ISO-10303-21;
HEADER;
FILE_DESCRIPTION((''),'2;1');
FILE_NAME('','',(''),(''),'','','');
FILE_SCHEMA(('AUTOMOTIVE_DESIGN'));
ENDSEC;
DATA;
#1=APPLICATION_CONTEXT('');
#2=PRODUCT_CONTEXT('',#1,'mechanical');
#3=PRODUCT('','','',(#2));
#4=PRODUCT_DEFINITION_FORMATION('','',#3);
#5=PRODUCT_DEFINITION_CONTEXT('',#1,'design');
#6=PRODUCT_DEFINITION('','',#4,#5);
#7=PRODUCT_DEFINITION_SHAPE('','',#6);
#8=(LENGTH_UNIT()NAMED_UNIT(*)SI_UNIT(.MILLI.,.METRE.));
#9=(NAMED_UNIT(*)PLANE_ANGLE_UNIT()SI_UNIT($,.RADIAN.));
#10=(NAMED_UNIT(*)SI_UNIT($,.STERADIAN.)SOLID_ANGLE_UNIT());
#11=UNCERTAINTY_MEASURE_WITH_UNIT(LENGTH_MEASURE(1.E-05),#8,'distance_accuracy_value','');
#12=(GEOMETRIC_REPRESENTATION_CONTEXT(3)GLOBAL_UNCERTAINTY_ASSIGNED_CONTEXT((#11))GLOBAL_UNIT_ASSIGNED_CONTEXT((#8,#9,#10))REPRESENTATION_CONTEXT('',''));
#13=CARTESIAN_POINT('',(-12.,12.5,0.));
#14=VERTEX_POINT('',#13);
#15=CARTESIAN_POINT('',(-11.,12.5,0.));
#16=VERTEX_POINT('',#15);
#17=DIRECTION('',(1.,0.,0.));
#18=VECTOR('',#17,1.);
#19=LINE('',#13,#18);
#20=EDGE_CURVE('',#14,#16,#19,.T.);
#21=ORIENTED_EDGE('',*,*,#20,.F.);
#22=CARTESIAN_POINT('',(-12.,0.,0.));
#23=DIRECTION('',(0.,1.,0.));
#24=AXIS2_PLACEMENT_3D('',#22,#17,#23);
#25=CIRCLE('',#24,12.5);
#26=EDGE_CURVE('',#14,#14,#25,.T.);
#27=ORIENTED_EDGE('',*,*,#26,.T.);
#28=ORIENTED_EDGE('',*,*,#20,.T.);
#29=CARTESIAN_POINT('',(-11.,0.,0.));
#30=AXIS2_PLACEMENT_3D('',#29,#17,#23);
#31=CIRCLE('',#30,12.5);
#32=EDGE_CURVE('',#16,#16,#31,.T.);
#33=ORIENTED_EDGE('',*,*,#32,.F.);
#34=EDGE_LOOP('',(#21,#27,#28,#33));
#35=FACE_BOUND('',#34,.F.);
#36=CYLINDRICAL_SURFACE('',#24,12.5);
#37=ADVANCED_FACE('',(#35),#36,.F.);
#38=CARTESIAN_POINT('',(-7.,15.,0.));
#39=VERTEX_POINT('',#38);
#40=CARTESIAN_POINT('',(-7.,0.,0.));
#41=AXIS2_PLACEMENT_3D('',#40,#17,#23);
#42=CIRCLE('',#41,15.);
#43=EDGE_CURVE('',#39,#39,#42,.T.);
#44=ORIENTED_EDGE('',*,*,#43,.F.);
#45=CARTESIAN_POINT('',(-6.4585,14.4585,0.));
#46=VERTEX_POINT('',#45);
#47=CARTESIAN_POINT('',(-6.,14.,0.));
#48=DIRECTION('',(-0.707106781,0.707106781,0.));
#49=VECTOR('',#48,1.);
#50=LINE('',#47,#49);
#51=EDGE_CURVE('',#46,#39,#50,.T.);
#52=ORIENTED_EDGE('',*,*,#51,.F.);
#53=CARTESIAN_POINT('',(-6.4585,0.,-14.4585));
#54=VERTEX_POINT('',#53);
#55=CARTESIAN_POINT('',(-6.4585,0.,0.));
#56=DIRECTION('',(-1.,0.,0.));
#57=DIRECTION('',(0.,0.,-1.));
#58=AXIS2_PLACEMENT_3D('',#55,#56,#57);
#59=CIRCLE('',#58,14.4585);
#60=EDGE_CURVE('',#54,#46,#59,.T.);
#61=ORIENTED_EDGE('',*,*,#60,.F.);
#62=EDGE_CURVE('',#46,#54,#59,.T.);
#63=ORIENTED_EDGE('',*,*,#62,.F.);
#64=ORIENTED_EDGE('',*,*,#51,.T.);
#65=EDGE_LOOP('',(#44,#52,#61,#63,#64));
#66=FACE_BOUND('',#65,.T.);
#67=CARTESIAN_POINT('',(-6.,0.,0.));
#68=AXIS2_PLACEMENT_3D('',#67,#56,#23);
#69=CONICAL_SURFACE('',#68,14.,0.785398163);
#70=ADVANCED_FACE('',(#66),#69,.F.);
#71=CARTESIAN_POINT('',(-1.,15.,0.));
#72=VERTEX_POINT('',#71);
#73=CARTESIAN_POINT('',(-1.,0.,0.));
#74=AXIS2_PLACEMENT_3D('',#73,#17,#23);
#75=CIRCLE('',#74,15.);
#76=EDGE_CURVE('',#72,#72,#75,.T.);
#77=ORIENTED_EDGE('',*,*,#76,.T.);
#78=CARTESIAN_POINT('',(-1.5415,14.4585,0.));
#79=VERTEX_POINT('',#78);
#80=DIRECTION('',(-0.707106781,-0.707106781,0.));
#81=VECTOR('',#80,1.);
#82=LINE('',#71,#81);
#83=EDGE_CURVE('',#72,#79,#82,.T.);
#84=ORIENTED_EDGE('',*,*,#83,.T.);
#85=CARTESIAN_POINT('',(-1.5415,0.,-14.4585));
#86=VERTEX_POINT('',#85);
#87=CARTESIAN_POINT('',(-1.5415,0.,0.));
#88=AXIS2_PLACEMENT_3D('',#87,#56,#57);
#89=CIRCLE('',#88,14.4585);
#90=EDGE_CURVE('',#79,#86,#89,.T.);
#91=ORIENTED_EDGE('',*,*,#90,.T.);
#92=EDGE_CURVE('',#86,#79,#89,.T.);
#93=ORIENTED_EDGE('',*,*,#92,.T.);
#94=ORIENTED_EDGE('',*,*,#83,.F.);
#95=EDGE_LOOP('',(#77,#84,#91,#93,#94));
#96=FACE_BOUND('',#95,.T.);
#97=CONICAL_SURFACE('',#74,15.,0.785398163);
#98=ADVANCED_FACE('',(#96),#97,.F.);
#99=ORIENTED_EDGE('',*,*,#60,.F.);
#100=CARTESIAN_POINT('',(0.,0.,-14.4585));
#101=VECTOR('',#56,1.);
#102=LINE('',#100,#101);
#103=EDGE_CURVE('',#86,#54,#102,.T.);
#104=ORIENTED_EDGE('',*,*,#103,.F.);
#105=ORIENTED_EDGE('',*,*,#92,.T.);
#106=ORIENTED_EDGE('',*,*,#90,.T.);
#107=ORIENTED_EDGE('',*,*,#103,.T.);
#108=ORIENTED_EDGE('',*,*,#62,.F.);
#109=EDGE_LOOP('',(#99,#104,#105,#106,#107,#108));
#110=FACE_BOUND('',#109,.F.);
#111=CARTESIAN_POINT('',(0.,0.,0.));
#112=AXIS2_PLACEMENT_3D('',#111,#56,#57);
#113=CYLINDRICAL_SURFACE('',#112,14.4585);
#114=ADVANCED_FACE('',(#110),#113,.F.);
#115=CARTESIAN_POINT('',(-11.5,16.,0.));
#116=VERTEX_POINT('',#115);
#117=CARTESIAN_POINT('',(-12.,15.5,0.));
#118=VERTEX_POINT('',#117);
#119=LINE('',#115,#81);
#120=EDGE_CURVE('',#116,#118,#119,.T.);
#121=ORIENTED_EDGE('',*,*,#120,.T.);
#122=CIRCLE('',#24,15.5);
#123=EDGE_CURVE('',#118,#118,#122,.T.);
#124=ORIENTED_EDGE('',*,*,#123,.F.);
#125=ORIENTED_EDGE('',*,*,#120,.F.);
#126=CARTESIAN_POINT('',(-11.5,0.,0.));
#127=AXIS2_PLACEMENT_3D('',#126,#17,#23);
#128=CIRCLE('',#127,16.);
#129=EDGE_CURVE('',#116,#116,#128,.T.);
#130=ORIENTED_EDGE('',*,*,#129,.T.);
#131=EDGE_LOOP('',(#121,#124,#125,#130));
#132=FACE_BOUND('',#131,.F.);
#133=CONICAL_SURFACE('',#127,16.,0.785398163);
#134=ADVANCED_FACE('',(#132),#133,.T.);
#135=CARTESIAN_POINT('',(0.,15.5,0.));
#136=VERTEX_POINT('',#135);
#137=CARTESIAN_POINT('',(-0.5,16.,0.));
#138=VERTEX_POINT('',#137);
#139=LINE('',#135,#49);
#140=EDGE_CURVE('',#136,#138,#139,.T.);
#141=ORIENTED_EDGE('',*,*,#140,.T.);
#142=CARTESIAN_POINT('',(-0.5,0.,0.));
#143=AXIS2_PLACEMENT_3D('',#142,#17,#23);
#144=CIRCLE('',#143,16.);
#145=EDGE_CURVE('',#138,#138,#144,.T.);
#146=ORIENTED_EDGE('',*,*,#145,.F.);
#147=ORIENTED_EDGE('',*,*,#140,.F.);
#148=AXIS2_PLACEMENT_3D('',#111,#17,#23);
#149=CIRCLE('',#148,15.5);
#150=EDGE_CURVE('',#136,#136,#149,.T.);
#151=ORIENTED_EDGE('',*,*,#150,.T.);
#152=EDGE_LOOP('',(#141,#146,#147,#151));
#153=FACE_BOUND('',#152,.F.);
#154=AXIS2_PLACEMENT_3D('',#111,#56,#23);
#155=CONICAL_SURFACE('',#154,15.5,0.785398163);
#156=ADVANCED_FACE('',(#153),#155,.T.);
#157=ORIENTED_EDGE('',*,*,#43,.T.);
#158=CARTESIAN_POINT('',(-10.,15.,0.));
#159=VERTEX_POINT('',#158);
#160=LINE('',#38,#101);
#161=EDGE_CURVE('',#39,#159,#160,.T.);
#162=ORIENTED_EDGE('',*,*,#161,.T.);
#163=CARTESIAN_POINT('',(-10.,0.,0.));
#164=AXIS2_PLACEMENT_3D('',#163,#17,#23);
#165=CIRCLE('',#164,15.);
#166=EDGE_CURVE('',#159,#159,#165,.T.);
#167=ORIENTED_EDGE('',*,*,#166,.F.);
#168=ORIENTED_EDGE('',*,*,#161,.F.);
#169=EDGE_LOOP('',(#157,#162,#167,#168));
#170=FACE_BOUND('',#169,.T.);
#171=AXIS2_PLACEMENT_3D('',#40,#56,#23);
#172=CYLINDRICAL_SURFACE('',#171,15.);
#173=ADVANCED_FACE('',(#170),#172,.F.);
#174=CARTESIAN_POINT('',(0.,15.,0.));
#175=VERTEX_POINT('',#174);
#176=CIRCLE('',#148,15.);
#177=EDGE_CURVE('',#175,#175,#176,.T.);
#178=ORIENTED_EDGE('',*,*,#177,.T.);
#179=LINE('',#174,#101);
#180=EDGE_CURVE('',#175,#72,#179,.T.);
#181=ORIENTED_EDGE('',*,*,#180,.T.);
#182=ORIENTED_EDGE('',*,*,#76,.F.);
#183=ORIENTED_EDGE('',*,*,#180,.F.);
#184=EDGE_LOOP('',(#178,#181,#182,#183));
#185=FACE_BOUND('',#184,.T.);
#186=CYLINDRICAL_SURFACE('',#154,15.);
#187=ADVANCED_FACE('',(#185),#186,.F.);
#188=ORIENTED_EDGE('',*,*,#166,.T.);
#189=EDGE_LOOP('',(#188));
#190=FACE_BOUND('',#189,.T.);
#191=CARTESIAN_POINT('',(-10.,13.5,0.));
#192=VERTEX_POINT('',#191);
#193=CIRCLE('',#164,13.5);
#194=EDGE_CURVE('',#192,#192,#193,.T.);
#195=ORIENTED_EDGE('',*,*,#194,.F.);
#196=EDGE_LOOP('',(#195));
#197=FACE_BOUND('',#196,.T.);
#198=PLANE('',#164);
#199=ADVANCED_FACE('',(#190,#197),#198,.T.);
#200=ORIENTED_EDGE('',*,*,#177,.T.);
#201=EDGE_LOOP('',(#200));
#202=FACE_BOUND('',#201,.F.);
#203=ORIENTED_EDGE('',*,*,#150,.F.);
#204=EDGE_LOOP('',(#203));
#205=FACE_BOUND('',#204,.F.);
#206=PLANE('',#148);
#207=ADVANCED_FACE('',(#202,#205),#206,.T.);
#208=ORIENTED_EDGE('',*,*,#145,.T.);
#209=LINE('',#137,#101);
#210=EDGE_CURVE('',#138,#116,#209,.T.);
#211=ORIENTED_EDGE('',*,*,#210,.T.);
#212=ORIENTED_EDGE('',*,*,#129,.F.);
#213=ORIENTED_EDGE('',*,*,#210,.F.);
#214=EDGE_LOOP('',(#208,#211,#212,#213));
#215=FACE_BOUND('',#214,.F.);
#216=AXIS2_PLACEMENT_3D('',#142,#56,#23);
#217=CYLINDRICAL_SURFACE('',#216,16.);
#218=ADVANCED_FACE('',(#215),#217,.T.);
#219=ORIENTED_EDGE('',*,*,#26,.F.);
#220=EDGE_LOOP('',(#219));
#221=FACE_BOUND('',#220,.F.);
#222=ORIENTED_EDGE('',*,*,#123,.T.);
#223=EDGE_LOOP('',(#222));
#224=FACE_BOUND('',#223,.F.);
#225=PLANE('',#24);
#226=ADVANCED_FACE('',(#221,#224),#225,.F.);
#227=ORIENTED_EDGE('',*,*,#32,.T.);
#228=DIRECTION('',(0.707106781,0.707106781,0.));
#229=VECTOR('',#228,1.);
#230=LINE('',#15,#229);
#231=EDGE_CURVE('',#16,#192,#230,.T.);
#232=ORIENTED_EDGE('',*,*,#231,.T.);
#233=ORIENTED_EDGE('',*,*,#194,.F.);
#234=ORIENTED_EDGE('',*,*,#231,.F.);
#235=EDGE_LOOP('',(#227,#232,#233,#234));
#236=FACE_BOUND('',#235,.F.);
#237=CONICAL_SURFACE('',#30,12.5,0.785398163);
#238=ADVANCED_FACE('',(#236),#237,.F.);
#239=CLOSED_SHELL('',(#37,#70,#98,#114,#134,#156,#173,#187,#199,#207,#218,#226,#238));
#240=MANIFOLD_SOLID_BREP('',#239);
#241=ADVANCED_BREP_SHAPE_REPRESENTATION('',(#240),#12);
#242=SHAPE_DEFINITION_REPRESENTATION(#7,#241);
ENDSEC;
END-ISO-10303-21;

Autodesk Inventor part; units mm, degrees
ref_plane "YZ Plane" through (0, 0, 0) normal (1, 0, 0) x (0, 1, 0)
ref_plane "XZ Plane" through (0, 0, 0) normal (0, 1, 0) x (-1, 0, 0)
ref_plane "XY Plane" through (0, 0, 0) normal (0, 0, 1) x (1, 0, 0)
sketch "Skizze1" plane through (0, 0, 0) normal (0, 0, 1) x (1, 0, 0)
  line L0 (-14.4, 0) -> (2.4, 0) projected
  line L1 (0, -3.2) -> (0, 19.2) projected
  line L2 (0, 15) -> (-1, 15)
  line L3 (-1, 15) -> (-2, 14)
  line L4 (-2, 14) -> (-6, 14)
  line L5 (-6, 14) -> (-7, 15)
  line L6 (-7, 15) -> (-10, 15)
  line L7 (-10, 15) -> (-10, 13.5)
  line L8 (-0.5, 16) -> (-11.5, 16)
  line L9 (-12, 15.5) -> (-12, 12.5)
  line L10 (-12, 12.5) -> (-11, 12.5)
  line L11 (-11, 12.5) -> (-10, 13.5)
  line L12 (-11.5, 16) -> (-12, 15.5)
  line L13 (0, 15.5) -> (0, 15)
  line L14 (0, 15.5) -> (-0.5, 16)
  point P0 (0, 0)
  point P1 (0, 16)
  point P2 (-12, 16)
  dimension "d0" = 28
  dimension "d1" = 30
  dimension "d2" = 45
  dimension "d3" = 45
  dimension "d4" = 1
  dimension "d5" = 10
  dimension "d6" = 3
  dimension "d7" = 12
  dimension "d9" = 25
  dimension "d10" = 1
  dimension "d11" = 0.5
  dimension "d12" = 0.5
  dimension "d13" = 0.5
  dimension "d14" = 0.5
  dimension "d25" = 27
  dimension "d26" = 1
revolve "Umdrehung1" add sketch "Skizze1" angle 360 about axis through (-10, 0, 0) along (1, 0, 0)
hole "Bohrung1" at (0, 0, 0) direction (-1, 0, 0) diameter 28.917 depth 8 thread size "M30x1" class "6H" standard "ISO Metric profile"
equation "\"d12\" = d11"
equation "\"d14\" = d13"
properties part number "13_0204_036"
